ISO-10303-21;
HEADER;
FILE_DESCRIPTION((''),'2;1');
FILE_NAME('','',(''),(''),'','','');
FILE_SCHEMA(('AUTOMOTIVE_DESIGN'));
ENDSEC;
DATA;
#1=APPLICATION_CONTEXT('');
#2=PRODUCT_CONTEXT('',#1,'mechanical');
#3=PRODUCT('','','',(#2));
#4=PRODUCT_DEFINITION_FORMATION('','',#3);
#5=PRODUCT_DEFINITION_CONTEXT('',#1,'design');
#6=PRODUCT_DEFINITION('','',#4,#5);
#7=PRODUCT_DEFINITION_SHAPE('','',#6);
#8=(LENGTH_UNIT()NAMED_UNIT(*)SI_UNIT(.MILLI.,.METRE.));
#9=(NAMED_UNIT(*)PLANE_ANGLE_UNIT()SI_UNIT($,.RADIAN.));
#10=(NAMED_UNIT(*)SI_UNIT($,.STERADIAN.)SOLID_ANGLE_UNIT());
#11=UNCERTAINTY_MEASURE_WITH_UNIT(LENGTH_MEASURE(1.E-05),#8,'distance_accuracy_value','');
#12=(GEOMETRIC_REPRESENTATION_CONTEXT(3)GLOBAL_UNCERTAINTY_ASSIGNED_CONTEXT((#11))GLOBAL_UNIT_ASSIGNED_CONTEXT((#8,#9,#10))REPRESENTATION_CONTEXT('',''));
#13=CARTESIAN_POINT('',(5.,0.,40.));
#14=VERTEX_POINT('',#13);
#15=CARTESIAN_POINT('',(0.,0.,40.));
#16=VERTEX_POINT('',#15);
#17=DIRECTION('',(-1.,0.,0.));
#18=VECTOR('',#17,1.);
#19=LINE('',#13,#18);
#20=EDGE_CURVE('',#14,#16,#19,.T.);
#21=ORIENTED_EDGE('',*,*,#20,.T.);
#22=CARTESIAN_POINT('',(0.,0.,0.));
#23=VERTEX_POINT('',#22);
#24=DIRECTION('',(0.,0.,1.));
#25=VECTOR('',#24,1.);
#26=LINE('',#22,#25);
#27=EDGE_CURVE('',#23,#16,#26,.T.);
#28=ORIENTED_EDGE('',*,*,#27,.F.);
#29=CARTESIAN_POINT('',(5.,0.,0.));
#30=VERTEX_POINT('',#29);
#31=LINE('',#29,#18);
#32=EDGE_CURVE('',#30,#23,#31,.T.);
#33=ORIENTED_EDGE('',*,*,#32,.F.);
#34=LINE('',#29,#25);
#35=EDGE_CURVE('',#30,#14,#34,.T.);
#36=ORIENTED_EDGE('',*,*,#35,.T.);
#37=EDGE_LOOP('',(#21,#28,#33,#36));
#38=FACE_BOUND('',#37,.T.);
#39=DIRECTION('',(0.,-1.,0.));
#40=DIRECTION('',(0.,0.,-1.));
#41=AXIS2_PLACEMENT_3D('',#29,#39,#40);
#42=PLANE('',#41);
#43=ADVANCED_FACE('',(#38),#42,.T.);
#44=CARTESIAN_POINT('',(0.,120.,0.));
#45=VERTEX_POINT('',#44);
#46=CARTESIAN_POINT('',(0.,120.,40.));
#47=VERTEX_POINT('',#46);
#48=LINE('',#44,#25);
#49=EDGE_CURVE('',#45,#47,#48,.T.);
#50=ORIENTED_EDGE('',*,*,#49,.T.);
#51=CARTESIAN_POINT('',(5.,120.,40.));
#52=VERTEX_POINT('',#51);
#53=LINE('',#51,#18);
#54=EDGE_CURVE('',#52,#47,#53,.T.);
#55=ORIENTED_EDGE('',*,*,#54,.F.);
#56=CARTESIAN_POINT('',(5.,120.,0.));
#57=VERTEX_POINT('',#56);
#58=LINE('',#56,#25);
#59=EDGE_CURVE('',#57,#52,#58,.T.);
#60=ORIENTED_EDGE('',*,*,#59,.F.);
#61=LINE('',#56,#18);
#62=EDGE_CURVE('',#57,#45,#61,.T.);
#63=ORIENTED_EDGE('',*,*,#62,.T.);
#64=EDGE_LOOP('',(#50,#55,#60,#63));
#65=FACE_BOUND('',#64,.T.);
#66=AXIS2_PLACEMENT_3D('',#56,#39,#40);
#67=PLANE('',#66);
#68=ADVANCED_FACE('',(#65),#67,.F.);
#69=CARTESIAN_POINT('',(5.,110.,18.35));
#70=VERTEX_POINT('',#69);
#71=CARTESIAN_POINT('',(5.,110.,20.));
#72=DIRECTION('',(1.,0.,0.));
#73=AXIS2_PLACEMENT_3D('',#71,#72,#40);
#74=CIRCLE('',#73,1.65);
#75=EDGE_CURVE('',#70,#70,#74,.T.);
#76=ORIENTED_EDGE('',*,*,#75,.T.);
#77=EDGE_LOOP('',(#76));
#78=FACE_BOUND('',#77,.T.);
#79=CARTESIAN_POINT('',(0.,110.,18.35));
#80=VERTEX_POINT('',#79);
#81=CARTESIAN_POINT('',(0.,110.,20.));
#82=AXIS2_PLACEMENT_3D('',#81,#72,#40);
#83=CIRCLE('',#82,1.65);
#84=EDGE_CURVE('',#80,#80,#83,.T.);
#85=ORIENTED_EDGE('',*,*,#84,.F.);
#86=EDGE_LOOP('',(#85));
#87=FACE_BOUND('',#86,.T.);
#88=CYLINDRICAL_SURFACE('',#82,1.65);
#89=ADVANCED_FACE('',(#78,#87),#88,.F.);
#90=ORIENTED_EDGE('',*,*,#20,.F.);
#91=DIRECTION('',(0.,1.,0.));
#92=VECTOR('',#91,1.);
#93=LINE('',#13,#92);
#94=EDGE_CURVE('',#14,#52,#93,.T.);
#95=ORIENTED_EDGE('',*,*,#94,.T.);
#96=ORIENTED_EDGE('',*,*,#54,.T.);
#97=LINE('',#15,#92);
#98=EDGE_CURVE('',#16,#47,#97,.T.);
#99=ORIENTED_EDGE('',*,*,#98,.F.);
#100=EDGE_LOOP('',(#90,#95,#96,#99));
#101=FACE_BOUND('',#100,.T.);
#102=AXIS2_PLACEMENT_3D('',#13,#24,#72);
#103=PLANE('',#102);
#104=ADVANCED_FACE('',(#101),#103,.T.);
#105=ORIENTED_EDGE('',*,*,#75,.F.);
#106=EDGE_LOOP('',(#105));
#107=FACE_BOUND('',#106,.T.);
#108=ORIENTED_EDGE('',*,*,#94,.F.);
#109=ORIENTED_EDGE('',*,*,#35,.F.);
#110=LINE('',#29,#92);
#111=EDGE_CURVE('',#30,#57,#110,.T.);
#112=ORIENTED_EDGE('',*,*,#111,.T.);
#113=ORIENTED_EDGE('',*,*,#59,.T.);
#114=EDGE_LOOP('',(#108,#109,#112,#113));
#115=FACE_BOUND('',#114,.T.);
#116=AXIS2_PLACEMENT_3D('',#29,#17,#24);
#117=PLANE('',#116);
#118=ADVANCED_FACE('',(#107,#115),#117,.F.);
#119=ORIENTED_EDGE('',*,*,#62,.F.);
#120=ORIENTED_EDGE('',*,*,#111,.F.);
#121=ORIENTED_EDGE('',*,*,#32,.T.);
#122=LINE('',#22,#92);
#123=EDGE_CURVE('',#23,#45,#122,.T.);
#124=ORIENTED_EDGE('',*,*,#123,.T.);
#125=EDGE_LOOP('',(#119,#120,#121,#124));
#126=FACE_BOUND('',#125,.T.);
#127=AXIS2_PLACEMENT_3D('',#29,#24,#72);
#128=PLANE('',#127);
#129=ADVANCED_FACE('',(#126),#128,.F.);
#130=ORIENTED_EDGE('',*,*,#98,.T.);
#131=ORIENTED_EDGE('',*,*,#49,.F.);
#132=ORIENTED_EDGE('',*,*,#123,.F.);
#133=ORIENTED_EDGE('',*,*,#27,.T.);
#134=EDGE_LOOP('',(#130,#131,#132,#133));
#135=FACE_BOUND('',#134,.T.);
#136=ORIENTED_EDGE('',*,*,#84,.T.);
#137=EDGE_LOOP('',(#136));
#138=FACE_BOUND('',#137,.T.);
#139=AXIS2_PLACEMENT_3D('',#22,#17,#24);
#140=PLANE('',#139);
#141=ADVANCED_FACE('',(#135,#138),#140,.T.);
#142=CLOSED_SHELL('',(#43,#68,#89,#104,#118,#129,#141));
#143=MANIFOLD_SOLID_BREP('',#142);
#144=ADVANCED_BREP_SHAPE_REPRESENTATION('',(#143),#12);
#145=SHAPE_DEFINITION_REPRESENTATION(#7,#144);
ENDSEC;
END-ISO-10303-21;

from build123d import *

# Parameters (mm, degrees)
SKETCH1_W           = 40
SKETCH1_H           = 120
BOSS_EXTRUDE1_DEPTH = 5
CUT_EXTRUDE1_DEPTH  = 5


with BuildPart() as part:
    # Sketch1 → Boss-Extrude1 (new body)
    with BuildSketch(Plane(origin=(0, 0, 0), x_dir=(0, 0, -1), z_dir=(1, 0, 0))):
        with Locations((-20, 60)):
            Rectangle(SKETCH1_W, SKETCH1_H)
    extrude(amount=BOSS_EXTRUDE1_DEPTH)

    # Sketch2 → Cut-Extrude1 (cut)
    with BuildSketch(Plane(origin=(5, 0, 0), x_dir=(0, 0, -1), z_dir=(1, 0, 0))):
        with BuildLine():
            ThreePointArc((-18.35, 110), (-18.833273811, 111.166726189), (-20, 111.65))
            Line((-20, 111.65), (-20, 108.35))
            ThreePointArc((-20, 108.35), (-18.833273811, 108.833273811), (-18.35, 110))
        make_face()
        with BuildLine():
            Line((-20, 108.35), (-20, 111.65))
            ThreePointArc((-20, 111.65), (-21.65, 110), (-20, 108.35))
        make_face()
    extrude(amount=-CUT_EXTRUDE1_DEPTH, mode=Mode.SUBTRACT)


solid = part.part
